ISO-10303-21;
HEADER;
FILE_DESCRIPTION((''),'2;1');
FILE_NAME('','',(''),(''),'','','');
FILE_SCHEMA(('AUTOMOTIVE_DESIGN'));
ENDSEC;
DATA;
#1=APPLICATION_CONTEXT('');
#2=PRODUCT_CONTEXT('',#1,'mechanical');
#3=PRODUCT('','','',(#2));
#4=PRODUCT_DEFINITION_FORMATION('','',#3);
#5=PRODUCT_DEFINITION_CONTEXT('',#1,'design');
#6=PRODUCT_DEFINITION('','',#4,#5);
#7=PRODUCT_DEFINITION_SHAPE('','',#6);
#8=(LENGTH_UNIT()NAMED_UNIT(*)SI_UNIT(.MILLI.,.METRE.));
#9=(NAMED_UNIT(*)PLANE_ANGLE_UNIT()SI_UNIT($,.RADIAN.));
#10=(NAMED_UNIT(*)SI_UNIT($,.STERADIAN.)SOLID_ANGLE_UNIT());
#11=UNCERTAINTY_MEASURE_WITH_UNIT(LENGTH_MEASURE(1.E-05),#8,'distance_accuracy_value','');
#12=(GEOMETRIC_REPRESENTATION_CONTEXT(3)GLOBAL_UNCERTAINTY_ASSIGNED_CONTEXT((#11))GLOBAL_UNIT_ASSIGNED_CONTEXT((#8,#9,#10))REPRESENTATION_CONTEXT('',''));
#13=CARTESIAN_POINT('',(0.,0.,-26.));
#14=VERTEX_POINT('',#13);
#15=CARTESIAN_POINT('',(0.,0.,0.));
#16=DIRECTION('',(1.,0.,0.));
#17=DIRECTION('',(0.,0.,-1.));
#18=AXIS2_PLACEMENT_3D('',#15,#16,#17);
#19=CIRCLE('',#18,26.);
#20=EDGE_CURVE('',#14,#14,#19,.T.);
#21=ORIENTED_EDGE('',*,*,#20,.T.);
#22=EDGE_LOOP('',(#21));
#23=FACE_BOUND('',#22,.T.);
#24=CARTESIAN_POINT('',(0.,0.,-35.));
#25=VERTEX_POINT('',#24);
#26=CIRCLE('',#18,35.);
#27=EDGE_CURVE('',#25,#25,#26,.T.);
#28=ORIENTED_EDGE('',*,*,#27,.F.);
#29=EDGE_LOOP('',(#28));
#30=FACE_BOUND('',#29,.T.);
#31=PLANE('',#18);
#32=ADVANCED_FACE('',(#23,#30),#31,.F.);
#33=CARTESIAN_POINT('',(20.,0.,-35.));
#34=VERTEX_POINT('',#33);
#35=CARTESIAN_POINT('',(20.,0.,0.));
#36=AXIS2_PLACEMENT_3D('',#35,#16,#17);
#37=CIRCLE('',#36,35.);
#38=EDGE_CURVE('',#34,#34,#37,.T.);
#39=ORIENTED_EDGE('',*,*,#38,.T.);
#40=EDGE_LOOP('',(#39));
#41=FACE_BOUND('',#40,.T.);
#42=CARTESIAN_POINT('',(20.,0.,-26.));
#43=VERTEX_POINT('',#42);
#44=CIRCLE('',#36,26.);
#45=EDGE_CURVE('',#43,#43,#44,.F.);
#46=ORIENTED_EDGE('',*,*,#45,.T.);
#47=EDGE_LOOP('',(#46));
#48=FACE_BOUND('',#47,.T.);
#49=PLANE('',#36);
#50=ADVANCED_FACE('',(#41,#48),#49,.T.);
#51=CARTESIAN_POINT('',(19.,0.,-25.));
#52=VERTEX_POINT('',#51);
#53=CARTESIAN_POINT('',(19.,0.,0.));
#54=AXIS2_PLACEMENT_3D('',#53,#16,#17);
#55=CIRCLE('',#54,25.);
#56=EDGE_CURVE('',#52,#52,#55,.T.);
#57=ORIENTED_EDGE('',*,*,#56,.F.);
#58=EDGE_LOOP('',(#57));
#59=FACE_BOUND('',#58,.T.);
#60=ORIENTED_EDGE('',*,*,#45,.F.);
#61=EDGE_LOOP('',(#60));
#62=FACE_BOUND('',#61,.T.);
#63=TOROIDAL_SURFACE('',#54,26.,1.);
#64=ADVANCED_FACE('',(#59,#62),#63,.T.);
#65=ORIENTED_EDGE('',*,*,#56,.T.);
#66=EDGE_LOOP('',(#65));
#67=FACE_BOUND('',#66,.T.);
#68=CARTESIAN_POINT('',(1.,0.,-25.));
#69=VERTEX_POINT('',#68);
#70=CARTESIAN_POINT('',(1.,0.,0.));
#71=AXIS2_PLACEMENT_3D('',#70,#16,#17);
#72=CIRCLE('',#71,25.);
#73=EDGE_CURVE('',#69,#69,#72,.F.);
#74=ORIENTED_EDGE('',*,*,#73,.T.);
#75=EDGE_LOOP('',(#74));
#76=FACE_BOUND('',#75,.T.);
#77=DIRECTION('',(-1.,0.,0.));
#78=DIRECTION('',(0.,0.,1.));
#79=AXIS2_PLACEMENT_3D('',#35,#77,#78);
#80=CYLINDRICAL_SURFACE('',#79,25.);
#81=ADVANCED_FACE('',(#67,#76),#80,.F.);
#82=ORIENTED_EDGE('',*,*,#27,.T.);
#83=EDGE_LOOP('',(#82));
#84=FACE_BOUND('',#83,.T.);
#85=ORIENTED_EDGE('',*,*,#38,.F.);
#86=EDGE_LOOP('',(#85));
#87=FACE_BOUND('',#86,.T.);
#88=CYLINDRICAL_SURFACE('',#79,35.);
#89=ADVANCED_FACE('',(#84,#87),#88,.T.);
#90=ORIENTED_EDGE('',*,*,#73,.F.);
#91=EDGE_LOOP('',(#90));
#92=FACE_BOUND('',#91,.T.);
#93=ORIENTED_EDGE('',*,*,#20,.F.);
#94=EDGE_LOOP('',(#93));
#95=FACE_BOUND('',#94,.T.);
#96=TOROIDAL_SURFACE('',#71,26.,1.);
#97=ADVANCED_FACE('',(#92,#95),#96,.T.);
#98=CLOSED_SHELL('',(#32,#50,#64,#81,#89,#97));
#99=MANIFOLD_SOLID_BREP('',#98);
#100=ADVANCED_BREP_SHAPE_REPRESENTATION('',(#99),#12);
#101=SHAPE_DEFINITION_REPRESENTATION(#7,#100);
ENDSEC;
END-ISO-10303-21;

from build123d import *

# Parameters (mm, degrees)
SKETCH2_R           = 35
SKETCH2_R_2         = 25
BOSS_EXTRUDE1_DEPTH = 20
FILLET1_R           = 1


with BuildPart() as part:
    # Sketch2 → Boss-Extrude1 (new body)
    with BuildSketch(Plane(origin=(0, 0, 0), x_dir=(0, 0, -1), z_dir=(1, 0, 0))):
        Circle(SKETCH2_R)
        Circle(SKETCH2_R_2, mode=Mode.SUBTRACT)
    extrude(amount=BOSS_EXTRUDE1_DEPTH)

    # Fillet1
    fillet1_edges = [part.edges().sort_by_distance(p)[0] for p in [
        (0, 0, 25),
        (20, 0, 25),
    ]]
    fillet(fillet1_edges, radius=FILLET1_R)


solid = part.part
